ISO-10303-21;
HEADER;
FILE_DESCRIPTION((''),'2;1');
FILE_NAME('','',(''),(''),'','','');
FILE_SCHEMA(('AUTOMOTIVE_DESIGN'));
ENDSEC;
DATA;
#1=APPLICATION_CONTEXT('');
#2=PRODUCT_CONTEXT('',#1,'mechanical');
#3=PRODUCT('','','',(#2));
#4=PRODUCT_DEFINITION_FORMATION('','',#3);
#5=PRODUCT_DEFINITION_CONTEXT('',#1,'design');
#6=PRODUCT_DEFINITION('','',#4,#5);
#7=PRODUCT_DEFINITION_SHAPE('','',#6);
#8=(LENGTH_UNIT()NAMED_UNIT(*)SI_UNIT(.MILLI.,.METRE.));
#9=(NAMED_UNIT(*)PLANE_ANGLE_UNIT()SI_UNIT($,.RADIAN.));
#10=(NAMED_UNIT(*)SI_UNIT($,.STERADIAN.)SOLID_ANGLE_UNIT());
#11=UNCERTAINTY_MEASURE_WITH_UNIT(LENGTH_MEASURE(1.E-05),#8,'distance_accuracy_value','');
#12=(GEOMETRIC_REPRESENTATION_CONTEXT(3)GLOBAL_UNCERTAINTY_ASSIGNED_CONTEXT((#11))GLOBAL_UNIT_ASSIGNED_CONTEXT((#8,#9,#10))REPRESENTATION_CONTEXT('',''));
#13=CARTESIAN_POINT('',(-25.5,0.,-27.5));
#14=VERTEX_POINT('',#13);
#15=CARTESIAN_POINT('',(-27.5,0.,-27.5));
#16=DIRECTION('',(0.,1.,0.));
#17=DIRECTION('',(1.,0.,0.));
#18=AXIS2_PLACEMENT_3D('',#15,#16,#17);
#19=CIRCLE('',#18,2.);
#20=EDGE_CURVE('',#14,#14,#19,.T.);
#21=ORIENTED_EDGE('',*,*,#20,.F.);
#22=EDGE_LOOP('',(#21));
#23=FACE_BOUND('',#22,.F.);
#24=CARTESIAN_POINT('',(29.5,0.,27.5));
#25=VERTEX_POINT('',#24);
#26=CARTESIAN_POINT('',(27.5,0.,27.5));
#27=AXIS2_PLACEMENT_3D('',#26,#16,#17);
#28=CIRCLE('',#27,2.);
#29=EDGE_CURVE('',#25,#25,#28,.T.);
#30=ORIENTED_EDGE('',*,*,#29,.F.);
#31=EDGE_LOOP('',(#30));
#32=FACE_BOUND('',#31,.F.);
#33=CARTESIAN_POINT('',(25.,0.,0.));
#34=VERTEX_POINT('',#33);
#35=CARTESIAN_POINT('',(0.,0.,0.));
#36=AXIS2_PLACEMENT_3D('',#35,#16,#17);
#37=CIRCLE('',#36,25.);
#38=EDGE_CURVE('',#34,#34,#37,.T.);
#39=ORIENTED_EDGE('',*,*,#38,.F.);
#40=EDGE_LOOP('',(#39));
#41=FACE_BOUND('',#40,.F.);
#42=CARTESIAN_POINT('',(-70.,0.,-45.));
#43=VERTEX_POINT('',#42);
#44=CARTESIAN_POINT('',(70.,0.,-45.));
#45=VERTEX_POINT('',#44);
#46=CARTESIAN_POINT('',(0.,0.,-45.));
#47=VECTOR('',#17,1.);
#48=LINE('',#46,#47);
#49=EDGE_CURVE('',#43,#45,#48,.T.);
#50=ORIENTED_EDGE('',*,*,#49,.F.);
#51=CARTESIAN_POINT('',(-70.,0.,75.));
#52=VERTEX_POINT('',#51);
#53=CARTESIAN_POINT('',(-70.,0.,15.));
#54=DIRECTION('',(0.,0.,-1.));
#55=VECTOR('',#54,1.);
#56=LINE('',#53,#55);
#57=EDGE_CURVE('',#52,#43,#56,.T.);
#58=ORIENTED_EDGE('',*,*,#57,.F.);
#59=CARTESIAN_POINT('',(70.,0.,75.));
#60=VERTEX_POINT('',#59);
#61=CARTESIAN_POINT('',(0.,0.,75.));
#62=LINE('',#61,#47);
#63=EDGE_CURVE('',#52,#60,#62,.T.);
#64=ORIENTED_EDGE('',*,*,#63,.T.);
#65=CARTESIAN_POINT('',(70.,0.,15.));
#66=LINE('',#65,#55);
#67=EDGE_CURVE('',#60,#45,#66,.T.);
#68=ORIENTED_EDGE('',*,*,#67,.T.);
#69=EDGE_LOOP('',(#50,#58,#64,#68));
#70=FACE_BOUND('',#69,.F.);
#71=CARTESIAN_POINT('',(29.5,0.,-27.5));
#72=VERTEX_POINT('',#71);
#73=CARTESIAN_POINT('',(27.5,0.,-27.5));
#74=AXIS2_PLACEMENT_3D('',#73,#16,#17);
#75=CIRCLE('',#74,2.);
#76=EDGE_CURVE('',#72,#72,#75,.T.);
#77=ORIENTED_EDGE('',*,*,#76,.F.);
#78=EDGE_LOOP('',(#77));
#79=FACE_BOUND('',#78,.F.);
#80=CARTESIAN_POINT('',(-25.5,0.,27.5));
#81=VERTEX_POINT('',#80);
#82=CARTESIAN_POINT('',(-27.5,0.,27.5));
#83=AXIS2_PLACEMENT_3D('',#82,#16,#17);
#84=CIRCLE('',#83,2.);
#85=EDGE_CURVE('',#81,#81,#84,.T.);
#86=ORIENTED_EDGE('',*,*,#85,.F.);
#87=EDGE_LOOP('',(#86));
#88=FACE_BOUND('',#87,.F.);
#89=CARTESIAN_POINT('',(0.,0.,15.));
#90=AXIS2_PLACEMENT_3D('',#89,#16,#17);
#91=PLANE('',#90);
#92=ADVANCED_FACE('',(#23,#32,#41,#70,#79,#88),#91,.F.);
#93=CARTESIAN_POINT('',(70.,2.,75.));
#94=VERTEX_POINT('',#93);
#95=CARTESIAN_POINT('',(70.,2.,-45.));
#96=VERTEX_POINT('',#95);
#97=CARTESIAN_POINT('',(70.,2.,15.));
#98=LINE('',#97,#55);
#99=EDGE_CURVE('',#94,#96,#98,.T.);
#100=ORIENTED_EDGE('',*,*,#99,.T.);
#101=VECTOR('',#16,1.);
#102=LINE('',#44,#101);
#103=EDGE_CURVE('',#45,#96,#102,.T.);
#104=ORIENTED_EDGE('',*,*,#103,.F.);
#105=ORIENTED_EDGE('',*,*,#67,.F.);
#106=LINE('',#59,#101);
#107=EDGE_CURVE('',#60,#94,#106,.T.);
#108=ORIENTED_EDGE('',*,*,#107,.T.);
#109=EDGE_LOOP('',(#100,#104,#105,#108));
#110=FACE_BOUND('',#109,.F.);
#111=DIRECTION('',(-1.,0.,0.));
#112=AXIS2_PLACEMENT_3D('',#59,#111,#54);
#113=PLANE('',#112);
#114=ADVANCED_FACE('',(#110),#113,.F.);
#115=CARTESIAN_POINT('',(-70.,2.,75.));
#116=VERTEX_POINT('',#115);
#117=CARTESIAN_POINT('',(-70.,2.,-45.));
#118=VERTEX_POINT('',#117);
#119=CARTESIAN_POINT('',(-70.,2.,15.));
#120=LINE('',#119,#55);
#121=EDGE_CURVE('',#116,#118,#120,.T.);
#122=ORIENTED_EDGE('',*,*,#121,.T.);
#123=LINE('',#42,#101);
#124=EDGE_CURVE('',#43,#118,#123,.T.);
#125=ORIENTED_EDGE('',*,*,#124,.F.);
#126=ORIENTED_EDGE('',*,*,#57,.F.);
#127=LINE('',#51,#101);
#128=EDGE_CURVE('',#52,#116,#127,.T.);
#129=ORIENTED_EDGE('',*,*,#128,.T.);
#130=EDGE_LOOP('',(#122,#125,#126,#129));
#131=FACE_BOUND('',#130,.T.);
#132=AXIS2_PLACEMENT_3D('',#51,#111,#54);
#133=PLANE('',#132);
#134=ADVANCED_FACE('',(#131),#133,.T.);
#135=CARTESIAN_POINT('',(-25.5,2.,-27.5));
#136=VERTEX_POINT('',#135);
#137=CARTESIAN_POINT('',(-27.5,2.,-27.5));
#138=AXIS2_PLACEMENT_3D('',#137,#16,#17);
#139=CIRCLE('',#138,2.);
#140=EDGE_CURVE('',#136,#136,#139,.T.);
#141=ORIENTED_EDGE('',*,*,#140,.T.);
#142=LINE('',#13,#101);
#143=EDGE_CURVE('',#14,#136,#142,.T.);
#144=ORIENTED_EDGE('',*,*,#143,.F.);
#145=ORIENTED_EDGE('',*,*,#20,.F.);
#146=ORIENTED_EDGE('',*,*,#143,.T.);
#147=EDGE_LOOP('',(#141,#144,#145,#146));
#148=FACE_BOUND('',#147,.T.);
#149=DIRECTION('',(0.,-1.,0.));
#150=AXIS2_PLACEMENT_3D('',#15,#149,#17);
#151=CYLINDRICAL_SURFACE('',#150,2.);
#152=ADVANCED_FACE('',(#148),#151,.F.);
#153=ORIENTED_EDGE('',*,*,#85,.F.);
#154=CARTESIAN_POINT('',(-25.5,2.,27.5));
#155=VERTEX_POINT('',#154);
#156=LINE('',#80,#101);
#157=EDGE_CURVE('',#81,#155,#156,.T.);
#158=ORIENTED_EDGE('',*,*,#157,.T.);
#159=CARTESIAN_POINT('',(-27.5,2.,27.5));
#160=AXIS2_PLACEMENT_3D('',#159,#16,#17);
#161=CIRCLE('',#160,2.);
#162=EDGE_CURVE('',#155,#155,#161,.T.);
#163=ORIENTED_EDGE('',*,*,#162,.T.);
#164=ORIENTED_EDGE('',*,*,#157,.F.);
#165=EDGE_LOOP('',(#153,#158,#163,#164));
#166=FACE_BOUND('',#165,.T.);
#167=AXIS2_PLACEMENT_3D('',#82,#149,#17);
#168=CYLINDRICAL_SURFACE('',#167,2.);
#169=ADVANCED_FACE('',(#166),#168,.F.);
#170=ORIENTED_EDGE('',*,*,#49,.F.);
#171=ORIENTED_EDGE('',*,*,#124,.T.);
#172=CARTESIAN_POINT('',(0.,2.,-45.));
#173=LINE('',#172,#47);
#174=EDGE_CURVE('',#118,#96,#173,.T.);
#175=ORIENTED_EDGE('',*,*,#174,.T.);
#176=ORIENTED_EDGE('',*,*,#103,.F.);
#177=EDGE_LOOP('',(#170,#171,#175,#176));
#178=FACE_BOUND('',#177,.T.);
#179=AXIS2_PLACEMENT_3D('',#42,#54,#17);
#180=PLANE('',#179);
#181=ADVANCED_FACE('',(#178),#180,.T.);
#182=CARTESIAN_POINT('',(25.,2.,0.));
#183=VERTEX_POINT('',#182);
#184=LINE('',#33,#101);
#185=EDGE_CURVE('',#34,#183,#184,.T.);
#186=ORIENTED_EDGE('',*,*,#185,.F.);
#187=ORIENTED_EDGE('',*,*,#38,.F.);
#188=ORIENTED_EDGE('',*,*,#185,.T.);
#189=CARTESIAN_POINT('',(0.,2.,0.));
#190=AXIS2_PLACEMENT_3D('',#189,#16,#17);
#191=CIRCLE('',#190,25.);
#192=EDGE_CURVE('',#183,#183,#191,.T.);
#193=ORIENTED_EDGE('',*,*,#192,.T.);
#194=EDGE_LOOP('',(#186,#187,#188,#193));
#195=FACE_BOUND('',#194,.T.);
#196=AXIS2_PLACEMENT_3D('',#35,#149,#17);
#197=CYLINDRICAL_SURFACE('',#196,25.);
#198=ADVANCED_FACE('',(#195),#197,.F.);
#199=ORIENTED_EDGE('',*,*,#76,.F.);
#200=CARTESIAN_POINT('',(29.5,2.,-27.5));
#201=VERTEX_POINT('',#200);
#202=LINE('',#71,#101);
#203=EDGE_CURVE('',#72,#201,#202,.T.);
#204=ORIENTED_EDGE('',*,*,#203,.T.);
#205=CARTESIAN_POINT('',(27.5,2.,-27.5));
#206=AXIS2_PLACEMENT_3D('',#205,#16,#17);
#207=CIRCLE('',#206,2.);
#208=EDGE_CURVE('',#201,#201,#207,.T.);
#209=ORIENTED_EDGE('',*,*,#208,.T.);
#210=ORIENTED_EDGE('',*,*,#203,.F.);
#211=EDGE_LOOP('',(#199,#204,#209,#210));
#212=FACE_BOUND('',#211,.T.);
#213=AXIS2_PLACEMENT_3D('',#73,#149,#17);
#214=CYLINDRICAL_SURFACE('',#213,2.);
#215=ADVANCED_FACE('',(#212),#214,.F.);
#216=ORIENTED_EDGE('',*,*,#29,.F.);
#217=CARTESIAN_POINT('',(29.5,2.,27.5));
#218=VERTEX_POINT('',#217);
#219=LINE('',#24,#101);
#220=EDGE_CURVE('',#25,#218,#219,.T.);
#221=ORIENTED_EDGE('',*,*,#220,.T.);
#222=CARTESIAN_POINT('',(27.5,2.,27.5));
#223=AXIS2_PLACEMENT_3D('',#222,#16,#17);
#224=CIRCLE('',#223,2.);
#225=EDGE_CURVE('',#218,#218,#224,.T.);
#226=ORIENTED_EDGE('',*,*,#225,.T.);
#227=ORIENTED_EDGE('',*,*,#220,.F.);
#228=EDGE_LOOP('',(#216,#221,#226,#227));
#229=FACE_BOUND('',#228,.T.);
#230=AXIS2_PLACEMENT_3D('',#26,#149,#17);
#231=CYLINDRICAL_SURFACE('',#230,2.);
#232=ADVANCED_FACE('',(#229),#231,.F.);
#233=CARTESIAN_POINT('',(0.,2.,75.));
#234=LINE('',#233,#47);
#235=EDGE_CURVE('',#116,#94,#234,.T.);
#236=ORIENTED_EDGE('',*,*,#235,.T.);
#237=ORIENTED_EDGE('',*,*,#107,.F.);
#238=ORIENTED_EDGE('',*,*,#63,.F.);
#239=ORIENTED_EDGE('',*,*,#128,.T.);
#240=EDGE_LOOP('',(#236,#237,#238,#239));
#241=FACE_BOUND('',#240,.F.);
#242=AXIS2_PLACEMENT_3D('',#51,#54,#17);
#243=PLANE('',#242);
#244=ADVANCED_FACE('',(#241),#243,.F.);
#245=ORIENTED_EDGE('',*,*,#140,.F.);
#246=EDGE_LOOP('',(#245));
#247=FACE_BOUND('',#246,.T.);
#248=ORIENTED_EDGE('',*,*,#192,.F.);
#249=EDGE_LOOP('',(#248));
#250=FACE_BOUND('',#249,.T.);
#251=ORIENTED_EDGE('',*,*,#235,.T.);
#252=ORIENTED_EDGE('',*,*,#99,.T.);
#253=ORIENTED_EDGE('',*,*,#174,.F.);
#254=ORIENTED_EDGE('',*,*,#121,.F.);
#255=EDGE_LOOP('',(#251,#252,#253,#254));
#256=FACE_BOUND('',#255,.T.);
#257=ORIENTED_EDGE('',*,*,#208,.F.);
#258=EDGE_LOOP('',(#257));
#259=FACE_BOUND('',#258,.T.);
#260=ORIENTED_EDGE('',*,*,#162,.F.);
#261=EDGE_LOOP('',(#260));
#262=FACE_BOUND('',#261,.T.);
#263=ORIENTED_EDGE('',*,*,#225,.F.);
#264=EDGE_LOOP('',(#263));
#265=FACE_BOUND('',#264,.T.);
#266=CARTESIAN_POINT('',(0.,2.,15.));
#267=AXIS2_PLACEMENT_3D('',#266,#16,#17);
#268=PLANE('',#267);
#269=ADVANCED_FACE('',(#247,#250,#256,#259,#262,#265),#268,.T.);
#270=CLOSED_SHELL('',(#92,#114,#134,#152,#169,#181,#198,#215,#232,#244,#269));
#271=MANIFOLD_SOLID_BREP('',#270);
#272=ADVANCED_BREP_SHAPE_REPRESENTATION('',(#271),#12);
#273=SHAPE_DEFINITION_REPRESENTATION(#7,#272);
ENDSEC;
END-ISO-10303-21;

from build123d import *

# Parameters (mm, degrees)
SKETCH_1_W      = 140
SKETCH_1_H      = 120
SKETCH_1_R      = 2
SKETCH_1_R_2    = 25
EXTRUDE_1_DEPTH = 2


with BuildPart() as part:
    # Эскиз1 → Бобышка-Вытянуть1 (new body)
    with BuildSketch(Plane(origin=(0, 0, 0), x_dir=(1, 0, 0), z_dir=(0, 1, 0))):
        with Locations((0, -15)):
            Rectangle(SKETCH_1_W, SKETCH_1_H)
        with Locations((27.5, 27.5)):
            Circle(SKETCH_1_R, mode=Mode.SUBTRACT)
        with Locations((-27.5, 27.5)):
            Circle(SKETCH_1_R, mode=Mode.SUBTRACT)
        with Locations((-27.5, -27.5)):
            Circle(SKETCH_1_R, mode=Mode.SUBTRACT)
        with Locations((27.5, -27.5)):
            Circle(SKETCH_1_R, mode=Mode.SUBTRACT)
        Circle(SKETCH_1_R_2, mode=Mode.SUBTRACT)
    extrude(amount=EXTRUDE_1_DEPTH)


solid = part.part
